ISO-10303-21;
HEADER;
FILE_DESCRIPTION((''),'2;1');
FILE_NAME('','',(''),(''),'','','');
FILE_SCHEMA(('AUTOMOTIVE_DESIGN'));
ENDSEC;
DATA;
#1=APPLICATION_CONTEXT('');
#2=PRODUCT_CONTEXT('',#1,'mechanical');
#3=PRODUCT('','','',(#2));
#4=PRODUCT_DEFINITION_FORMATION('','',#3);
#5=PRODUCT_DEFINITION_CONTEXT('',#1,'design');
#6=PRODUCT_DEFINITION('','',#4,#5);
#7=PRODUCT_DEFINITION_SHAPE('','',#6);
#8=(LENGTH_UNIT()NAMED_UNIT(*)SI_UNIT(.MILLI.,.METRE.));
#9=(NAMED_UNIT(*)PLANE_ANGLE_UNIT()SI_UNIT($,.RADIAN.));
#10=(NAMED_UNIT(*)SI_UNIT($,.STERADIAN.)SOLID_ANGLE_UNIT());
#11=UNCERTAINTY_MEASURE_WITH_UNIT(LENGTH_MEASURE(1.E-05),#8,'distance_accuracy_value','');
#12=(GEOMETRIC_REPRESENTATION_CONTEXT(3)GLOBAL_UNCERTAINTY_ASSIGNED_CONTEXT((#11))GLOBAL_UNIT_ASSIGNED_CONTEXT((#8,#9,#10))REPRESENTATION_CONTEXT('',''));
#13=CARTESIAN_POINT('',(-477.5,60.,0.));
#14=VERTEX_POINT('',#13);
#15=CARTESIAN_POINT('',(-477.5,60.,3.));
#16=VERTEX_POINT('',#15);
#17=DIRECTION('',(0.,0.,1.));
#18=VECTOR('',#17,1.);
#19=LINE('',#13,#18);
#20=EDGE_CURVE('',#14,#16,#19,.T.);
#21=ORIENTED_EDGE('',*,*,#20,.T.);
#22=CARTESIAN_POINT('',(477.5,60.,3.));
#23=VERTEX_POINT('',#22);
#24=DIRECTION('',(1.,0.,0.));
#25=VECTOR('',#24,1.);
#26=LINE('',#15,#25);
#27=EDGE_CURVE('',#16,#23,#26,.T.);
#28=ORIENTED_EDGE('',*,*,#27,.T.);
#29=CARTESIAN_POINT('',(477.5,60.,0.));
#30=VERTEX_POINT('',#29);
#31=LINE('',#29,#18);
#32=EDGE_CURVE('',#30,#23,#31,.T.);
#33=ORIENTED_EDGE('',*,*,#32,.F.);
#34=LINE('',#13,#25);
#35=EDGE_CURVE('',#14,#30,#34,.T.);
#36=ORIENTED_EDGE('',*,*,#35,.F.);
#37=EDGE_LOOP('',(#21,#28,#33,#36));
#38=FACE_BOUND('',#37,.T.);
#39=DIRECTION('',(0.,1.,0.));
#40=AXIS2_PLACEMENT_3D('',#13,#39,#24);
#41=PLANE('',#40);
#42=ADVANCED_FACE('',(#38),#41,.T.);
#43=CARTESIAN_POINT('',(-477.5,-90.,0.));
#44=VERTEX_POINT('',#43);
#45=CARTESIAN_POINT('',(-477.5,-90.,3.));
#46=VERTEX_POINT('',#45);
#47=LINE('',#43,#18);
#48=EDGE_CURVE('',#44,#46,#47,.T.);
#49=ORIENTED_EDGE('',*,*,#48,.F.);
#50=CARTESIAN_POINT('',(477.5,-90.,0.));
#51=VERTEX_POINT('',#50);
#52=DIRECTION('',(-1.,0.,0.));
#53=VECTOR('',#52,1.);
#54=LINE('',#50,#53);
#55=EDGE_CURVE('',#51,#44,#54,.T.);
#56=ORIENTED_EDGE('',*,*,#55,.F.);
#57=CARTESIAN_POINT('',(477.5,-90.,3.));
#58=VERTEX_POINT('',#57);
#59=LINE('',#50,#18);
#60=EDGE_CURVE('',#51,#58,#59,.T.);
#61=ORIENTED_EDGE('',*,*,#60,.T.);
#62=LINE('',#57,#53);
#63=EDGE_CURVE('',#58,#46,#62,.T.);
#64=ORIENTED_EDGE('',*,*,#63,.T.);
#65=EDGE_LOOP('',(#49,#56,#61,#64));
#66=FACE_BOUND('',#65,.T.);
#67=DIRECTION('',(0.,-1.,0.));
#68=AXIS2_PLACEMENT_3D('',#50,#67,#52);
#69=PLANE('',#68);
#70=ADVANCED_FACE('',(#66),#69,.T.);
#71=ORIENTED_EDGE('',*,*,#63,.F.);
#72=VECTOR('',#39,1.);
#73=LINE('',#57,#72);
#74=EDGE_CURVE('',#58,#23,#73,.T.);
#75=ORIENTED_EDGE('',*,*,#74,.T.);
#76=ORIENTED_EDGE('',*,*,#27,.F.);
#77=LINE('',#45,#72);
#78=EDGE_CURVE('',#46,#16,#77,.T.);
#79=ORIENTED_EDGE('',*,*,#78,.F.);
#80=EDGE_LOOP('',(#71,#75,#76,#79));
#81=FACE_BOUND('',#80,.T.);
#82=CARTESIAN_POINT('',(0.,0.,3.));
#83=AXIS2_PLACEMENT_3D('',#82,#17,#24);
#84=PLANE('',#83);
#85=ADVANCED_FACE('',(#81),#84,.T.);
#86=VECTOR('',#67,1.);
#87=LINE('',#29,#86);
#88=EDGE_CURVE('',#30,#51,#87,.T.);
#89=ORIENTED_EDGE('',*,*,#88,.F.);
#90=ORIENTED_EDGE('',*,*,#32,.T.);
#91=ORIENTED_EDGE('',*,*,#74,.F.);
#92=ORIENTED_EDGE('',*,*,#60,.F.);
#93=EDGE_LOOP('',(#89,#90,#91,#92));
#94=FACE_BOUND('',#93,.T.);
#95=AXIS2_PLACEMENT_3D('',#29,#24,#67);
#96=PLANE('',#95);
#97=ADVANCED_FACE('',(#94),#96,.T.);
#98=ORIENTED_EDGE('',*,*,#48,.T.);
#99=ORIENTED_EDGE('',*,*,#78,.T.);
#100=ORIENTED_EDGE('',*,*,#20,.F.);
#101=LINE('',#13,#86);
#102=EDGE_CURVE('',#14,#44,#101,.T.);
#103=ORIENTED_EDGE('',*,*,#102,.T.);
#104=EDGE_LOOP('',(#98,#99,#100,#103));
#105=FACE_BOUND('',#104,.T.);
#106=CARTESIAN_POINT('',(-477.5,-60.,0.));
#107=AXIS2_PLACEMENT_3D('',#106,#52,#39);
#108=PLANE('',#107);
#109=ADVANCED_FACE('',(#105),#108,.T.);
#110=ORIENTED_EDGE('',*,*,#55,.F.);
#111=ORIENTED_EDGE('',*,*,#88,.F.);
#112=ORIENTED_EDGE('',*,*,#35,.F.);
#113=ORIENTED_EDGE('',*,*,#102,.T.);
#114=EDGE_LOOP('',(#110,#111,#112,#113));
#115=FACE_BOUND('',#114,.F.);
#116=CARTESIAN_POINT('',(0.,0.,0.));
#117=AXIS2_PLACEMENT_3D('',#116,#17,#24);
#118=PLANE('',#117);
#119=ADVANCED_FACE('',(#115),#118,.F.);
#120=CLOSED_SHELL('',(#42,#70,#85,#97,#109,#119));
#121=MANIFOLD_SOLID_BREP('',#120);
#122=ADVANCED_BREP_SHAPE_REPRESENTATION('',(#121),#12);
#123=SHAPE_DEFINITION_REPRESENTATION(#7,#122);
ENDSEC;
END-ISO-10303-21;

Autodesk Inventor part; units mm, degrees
ref_plane "YZ Plane" through (0, 0, 0) normal (1, 0, 0) x (0, 1, 0)
ref_plane "XZ Plane" through (0, 0, 0) normal (0, 1, 0) x (-1, 0, 0)
ref_plane "XY Plane" through (0, 0, 0) normal (0, 0, 1) x (1, 0, 0)
sketch "草图1" plane through (0, 0, 0) normal (0, 0, 1) x (1, 0, 0)
  line L0 (477.5, -60) -> (-477.5, -60)
  line L1 (-477.5, -60) -> (-477.5, 60)
  line L2 (-477.5, 60) -> (477.5, 60)
  line L3 (477.5, 60) -> (477.5, -60)
  line L4 (477.5, -60) -> (-477.5, 60) construction
  line L5 (-477.5, -60) -> (477.5, 60) construction
  point P0 (0, 0)
  dimension "d0" = 955
  dimension "d1" = 120
extrude "拉伸1" add sketch "草图1" along normal blind 3
sketch "草图2" plane through (0, 0, 0) normal (0, 0, -1) x (-1, 0, 0)
  line L0 (477.5, 60) -> (477.5, -60) projected
  line L1 (477.5, -60) -> (-477.5, -60)
  line L2 (-477.5, -60) -> (-477.5, -90)
  line L3 (-477.5, -90) -> (477.5, -90)
  line L4 (477.5, -90) -> (477.5, -60)
  line L5 (-477.5, -60) -> (-477.5, 60) projected
  point P0 (0, 0)
  dimension "d4" = 30
extrude "拉伸2" add sketch "草图2" against normal up to surface (3 mm away)
properties part number "板材后"
